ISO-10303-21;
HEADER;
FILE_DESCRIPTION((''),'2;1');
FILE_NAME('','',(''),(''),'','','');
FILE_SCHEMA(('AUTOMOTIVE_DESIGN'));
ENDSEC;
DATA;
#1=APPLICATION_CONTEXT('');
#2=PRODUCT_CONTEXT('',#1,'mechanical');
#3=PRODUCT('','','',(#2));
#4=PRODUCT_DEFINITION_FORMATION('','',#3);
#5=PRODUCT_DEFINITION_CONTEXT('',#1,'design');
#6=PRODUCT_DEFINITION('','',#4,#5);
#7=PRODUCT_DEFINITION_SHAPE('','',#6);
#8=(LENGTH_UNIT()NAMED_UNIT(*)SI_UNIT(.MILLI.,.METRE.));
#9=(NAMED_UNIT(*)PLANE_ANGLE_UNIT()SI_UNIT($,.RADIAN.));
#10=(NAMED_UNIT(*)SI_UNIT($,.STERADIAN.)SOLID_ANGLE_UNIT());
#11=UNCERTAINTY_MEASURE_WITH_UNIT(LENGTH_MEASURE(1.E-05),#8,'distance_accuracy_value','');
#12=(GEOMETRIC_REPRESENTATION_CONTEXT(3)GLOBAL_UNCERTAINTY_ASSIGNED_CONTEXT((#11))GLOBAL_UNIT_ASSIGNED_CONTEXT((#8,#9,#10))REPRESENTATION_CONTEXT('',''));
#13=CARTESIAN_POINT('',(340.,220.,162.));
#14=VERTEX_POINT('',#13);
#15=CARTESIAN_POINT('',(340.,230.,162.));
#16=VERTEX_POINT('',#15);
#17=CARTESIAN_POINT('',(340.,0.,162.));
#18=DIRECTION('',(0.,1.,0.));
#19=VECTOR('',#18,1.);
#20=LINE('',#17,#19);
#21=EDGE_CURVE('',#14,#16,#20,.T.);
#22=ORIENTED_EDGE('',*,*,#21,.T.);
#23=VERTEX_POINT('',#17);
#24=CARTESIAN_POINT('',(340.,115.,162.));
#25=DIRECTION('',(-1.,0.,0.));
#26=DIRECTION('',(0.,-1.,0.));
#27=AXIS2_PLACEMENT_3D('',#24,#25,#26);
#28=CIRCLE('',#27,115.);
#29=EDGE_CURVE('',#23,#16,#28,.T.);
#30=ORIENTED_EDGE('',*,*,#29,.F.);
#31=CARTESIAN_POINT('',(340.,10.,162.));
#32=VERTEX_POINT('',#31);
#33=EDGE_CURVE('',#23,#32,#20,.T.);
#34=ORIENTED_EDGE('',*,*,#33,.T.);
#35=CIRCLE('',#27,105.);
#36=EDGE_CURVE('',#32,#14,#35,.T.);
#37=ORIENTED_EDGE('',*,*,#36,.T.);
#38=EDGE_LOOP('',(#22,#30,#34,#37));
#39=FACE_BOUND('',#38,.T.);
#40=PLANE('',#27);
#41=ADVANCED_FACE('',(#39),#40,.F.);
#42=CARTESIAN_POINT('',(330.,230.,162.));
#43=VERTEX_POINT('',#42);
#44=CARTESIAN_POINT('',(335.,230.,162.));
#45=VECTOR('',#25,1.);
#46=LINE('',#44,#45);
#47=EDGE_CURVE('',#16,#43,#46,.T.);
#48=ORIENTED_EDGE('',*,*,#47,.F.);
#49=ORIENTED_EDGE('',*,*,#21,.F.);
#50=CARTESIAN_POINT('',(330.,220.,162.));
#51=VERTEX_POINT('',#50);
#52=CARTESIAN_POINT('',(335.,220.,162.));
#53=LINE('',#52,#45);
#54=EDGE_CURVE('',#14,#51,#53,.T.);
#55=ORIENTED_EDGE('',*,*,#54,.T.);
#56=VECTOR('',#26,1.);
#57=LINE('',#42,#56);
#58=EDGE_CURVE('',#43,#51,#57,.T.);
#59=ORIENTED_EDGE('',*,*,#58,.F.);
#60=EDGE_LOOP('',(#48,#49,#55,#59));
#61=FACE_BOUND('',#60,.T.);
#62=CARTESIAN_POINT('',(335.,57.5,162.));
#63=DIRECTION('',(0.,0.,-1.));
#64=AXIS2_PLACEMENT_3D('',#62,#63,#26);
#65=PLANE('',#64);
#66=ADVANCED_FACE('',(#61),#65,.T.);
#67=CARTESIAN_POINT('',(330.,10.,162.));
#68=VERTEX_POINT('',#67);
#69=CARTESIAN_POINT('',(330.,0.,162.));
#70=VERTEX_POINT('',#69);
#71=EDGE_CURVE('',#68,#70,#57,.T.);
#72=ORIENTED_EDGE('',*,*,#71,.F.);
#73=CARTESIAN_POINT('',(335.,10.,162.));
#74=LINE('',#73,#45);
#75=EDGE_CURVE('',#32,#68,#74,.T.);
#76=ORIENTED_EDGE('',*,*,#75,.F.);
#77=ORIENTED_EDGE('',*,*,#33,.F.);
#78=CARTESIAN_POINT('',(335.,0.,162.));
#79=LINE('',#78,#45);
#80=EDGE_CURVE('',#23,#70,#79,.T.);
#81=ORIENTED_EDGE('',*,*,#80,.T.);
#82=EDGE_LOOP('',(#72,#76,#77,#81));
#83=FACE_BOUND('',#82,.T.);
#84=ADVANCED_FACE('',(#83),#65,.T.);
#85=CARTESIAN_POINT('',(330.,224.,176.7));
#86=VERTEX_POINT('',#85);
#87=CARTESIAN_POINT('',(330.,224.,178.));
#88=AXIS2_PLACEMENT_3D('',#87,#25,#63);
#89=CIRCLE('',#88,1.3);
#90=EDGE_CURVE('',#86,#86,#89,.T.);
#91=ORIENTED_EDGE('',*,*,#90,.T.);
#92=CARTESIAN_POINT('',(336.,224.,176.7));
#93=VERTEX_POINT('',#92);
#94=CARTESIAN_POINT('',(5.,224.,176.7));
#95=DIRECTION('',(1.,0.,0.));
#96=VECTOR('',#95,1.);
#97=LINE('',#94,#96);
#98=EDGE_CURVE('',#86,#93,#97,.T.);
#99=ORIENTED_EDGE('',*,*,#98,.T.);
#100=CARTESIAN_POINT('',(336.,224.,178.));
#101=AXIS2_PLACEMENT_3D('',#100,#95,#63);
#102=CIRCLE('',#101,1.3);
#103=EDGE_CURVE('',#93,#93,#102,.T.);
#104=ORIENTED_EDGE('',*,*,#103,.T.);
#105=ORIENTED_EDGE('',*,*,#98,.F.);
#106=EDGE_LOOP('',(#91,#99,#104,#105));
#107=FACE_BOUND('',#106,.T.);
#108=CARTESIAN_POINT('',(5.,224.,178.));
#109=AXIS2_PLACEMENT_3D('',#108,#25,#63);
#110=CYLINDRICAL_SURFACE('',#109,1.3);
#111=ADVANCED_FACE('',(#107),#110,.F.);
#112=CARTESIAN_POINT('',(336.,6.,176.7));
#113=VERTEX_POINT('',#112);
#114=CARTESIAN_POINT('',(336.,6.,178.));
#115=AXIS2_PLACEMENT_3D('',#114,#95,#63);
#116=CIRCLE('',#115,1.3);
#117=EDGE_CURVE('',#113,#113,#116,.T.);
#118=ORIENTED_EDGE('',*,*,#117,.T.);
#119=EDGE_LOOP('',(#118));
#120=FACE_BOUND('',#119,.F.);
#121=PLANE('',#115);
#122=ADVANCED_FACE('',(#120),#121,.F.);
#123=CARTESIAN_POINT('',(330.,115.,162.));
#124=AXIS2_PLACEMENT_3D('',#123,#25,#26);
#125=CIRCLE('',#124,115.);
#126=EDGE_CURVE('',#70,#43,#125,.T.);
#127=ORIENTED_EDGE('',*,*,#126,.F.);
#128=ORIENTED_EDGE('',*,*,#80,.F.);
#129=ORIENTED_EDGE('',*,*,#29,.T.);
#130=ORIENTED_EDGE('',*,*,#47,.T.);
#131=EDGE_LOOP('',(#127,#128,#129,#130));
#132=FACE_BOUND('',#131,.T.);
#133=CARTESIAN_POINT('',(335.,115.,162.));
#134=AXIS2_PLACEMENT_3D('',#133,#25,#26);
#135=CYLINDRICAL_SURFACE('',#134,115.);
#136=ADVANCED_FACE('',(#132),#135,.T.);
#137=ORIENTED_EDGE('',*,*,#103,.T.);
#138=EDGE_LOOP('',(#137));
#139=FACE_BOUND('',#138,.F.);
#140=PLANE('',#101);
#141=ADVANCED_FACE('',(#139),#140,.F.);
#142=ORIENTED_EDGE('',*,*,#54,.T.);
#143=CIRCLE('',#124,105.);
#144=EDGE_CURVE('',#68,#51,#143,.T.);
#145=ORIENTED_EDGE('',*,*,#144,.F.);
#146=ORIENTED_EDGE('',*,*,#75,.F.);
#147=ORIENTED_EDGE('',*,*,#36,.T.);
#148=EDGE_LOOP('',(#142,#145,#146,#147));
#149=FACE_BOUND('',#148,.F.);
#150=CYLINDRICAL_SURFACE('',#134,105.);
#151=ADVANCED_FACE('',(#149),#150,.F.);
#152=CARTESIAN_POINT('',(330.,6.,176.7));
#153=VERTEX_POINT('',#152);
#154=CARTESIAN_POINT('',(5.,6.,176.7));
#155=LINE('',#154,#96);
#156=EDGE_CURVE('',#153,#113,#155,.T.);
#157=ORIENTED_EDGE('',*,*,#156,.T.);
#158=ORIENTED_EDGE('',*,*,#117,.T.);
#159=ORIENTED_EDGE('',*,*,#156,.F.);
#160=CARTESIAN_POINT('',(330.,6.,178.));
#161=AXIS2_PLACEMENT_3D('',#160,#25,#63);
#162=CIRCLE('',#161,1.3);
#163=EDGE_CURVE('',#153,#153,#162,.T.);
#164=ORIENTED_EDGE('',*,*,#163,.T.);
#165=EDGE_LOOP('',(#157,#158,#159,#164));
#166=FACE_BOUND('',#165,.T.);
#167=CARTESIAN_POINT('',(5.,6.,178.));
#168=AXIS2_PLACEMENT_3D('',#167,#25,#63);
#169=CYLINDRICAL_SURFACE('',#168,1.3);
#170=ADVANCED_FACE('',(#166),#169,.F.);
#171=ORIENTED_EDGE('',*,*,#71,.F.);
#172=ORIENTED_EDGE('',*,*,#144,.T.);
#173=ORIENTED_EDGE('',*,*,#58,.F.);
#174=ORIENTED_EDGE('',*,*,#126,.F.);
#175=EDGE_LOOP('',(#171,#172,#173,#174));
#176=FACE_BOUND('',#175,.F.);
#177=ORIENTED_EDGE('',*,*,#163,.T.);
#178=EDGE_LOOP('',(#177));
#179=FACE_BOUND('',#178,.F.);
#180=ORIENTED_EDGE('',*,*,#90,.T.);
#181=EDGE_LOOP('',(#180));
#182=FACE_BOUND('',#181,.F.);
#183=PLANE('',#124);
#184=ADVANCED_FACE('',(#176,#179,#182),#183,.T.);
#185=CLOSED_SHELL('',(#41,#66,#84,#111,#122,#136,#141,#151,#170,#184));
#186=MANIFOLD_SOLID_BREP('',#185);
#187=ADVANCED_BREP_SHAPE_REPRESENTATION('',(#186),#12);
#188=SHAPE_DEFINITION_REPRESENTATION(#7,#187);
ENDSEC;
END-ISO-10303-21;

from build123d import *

# Parameters (mm, degrees)
CYLINDER072_R     = 1.3
CYLINDER072_DEPTH = 331
CYLINDER061_R     = 1.3
CYLINDER061_DEPTH = 331
CYLINDER054_W     = 105
CYLINDER054_H     = 10
CYLINDER054_ANGLE = 180
CYLINDER053_W     = 115
CYLINDER053_H     = 10
CYLINDER053_ANGLE = 180


with BuildPart() as cilindro072:
    # Cylinder072 → Cylinder072 (new body)
    with BuildSketch(Plane(origin=(5, 224, 178), x_dir=(0, 0, -1), z_dir=(1, 0, 0))):
        Circle(CYLINDER072_R)
    extrude(amount=CYLINDER072_DEPTH)


with BuildPart() as cilindro061:
    # Cylinder061 → Cylinder061 (new body)
    with BuildSketch(Plane(origin=(5, 6, 178), x_dir=(0, 0, -1), z_dir=(1, 0, 0))):
        Circle(CYLINDER061_R)
    extrude(amount=CYLINDER061_DEPTH)


with BuildPart() as cilindro054:
    # Cylinder054 → Cylinder054 (revolve)
    with BuildSketch(Plane(origin=(-3, 115, 171), x_dir=(0, -1, 0), z_dir=(0, 0, -1))):
        with Locations((52.5, 5)):
            Rectangle(CYLINDER054_W, CYLINDER054_H)
    revolve(axis=Axis((-3, 115, 171), (-1, 0, 0)), revolution_arc=CYLINDER054_ANGLE)


with BuildPart() as cut081:
    # Cylinder053 → Cylinder053 (revolve)
    with BuildSketch(Plane(origin=(-3, 115, 171), x_dir=(0, -1, 0), z_dir=(0, 0, -1))):
        with Locations((57.5, 5)):
            Rectangle(CYLINDER053_W, CYLINDER053_H)
    revolve(axis=Axis((-3, 115, 171), (-1, 0, 0)), revolution_arc=CYLINDER053_ANGLE)

    # Cut067: cut Cilindro054
    add(cilindro054.part, mode=Mode.SUBTRACT)


with BuildPart() as cut081_1:
    # Cut067 placement: moved
    add(cut081.part.moved(Location((343, 0, -9))))

    # Cut072: cut Cilindro061
    add(cilindro061.part, mode=Mode.SUBTRACT)

    # Cut081: cut Cilindro072
    add(cilindro072.part, mode=Mode.SUBTRACT)


solid = cut081_1.part
